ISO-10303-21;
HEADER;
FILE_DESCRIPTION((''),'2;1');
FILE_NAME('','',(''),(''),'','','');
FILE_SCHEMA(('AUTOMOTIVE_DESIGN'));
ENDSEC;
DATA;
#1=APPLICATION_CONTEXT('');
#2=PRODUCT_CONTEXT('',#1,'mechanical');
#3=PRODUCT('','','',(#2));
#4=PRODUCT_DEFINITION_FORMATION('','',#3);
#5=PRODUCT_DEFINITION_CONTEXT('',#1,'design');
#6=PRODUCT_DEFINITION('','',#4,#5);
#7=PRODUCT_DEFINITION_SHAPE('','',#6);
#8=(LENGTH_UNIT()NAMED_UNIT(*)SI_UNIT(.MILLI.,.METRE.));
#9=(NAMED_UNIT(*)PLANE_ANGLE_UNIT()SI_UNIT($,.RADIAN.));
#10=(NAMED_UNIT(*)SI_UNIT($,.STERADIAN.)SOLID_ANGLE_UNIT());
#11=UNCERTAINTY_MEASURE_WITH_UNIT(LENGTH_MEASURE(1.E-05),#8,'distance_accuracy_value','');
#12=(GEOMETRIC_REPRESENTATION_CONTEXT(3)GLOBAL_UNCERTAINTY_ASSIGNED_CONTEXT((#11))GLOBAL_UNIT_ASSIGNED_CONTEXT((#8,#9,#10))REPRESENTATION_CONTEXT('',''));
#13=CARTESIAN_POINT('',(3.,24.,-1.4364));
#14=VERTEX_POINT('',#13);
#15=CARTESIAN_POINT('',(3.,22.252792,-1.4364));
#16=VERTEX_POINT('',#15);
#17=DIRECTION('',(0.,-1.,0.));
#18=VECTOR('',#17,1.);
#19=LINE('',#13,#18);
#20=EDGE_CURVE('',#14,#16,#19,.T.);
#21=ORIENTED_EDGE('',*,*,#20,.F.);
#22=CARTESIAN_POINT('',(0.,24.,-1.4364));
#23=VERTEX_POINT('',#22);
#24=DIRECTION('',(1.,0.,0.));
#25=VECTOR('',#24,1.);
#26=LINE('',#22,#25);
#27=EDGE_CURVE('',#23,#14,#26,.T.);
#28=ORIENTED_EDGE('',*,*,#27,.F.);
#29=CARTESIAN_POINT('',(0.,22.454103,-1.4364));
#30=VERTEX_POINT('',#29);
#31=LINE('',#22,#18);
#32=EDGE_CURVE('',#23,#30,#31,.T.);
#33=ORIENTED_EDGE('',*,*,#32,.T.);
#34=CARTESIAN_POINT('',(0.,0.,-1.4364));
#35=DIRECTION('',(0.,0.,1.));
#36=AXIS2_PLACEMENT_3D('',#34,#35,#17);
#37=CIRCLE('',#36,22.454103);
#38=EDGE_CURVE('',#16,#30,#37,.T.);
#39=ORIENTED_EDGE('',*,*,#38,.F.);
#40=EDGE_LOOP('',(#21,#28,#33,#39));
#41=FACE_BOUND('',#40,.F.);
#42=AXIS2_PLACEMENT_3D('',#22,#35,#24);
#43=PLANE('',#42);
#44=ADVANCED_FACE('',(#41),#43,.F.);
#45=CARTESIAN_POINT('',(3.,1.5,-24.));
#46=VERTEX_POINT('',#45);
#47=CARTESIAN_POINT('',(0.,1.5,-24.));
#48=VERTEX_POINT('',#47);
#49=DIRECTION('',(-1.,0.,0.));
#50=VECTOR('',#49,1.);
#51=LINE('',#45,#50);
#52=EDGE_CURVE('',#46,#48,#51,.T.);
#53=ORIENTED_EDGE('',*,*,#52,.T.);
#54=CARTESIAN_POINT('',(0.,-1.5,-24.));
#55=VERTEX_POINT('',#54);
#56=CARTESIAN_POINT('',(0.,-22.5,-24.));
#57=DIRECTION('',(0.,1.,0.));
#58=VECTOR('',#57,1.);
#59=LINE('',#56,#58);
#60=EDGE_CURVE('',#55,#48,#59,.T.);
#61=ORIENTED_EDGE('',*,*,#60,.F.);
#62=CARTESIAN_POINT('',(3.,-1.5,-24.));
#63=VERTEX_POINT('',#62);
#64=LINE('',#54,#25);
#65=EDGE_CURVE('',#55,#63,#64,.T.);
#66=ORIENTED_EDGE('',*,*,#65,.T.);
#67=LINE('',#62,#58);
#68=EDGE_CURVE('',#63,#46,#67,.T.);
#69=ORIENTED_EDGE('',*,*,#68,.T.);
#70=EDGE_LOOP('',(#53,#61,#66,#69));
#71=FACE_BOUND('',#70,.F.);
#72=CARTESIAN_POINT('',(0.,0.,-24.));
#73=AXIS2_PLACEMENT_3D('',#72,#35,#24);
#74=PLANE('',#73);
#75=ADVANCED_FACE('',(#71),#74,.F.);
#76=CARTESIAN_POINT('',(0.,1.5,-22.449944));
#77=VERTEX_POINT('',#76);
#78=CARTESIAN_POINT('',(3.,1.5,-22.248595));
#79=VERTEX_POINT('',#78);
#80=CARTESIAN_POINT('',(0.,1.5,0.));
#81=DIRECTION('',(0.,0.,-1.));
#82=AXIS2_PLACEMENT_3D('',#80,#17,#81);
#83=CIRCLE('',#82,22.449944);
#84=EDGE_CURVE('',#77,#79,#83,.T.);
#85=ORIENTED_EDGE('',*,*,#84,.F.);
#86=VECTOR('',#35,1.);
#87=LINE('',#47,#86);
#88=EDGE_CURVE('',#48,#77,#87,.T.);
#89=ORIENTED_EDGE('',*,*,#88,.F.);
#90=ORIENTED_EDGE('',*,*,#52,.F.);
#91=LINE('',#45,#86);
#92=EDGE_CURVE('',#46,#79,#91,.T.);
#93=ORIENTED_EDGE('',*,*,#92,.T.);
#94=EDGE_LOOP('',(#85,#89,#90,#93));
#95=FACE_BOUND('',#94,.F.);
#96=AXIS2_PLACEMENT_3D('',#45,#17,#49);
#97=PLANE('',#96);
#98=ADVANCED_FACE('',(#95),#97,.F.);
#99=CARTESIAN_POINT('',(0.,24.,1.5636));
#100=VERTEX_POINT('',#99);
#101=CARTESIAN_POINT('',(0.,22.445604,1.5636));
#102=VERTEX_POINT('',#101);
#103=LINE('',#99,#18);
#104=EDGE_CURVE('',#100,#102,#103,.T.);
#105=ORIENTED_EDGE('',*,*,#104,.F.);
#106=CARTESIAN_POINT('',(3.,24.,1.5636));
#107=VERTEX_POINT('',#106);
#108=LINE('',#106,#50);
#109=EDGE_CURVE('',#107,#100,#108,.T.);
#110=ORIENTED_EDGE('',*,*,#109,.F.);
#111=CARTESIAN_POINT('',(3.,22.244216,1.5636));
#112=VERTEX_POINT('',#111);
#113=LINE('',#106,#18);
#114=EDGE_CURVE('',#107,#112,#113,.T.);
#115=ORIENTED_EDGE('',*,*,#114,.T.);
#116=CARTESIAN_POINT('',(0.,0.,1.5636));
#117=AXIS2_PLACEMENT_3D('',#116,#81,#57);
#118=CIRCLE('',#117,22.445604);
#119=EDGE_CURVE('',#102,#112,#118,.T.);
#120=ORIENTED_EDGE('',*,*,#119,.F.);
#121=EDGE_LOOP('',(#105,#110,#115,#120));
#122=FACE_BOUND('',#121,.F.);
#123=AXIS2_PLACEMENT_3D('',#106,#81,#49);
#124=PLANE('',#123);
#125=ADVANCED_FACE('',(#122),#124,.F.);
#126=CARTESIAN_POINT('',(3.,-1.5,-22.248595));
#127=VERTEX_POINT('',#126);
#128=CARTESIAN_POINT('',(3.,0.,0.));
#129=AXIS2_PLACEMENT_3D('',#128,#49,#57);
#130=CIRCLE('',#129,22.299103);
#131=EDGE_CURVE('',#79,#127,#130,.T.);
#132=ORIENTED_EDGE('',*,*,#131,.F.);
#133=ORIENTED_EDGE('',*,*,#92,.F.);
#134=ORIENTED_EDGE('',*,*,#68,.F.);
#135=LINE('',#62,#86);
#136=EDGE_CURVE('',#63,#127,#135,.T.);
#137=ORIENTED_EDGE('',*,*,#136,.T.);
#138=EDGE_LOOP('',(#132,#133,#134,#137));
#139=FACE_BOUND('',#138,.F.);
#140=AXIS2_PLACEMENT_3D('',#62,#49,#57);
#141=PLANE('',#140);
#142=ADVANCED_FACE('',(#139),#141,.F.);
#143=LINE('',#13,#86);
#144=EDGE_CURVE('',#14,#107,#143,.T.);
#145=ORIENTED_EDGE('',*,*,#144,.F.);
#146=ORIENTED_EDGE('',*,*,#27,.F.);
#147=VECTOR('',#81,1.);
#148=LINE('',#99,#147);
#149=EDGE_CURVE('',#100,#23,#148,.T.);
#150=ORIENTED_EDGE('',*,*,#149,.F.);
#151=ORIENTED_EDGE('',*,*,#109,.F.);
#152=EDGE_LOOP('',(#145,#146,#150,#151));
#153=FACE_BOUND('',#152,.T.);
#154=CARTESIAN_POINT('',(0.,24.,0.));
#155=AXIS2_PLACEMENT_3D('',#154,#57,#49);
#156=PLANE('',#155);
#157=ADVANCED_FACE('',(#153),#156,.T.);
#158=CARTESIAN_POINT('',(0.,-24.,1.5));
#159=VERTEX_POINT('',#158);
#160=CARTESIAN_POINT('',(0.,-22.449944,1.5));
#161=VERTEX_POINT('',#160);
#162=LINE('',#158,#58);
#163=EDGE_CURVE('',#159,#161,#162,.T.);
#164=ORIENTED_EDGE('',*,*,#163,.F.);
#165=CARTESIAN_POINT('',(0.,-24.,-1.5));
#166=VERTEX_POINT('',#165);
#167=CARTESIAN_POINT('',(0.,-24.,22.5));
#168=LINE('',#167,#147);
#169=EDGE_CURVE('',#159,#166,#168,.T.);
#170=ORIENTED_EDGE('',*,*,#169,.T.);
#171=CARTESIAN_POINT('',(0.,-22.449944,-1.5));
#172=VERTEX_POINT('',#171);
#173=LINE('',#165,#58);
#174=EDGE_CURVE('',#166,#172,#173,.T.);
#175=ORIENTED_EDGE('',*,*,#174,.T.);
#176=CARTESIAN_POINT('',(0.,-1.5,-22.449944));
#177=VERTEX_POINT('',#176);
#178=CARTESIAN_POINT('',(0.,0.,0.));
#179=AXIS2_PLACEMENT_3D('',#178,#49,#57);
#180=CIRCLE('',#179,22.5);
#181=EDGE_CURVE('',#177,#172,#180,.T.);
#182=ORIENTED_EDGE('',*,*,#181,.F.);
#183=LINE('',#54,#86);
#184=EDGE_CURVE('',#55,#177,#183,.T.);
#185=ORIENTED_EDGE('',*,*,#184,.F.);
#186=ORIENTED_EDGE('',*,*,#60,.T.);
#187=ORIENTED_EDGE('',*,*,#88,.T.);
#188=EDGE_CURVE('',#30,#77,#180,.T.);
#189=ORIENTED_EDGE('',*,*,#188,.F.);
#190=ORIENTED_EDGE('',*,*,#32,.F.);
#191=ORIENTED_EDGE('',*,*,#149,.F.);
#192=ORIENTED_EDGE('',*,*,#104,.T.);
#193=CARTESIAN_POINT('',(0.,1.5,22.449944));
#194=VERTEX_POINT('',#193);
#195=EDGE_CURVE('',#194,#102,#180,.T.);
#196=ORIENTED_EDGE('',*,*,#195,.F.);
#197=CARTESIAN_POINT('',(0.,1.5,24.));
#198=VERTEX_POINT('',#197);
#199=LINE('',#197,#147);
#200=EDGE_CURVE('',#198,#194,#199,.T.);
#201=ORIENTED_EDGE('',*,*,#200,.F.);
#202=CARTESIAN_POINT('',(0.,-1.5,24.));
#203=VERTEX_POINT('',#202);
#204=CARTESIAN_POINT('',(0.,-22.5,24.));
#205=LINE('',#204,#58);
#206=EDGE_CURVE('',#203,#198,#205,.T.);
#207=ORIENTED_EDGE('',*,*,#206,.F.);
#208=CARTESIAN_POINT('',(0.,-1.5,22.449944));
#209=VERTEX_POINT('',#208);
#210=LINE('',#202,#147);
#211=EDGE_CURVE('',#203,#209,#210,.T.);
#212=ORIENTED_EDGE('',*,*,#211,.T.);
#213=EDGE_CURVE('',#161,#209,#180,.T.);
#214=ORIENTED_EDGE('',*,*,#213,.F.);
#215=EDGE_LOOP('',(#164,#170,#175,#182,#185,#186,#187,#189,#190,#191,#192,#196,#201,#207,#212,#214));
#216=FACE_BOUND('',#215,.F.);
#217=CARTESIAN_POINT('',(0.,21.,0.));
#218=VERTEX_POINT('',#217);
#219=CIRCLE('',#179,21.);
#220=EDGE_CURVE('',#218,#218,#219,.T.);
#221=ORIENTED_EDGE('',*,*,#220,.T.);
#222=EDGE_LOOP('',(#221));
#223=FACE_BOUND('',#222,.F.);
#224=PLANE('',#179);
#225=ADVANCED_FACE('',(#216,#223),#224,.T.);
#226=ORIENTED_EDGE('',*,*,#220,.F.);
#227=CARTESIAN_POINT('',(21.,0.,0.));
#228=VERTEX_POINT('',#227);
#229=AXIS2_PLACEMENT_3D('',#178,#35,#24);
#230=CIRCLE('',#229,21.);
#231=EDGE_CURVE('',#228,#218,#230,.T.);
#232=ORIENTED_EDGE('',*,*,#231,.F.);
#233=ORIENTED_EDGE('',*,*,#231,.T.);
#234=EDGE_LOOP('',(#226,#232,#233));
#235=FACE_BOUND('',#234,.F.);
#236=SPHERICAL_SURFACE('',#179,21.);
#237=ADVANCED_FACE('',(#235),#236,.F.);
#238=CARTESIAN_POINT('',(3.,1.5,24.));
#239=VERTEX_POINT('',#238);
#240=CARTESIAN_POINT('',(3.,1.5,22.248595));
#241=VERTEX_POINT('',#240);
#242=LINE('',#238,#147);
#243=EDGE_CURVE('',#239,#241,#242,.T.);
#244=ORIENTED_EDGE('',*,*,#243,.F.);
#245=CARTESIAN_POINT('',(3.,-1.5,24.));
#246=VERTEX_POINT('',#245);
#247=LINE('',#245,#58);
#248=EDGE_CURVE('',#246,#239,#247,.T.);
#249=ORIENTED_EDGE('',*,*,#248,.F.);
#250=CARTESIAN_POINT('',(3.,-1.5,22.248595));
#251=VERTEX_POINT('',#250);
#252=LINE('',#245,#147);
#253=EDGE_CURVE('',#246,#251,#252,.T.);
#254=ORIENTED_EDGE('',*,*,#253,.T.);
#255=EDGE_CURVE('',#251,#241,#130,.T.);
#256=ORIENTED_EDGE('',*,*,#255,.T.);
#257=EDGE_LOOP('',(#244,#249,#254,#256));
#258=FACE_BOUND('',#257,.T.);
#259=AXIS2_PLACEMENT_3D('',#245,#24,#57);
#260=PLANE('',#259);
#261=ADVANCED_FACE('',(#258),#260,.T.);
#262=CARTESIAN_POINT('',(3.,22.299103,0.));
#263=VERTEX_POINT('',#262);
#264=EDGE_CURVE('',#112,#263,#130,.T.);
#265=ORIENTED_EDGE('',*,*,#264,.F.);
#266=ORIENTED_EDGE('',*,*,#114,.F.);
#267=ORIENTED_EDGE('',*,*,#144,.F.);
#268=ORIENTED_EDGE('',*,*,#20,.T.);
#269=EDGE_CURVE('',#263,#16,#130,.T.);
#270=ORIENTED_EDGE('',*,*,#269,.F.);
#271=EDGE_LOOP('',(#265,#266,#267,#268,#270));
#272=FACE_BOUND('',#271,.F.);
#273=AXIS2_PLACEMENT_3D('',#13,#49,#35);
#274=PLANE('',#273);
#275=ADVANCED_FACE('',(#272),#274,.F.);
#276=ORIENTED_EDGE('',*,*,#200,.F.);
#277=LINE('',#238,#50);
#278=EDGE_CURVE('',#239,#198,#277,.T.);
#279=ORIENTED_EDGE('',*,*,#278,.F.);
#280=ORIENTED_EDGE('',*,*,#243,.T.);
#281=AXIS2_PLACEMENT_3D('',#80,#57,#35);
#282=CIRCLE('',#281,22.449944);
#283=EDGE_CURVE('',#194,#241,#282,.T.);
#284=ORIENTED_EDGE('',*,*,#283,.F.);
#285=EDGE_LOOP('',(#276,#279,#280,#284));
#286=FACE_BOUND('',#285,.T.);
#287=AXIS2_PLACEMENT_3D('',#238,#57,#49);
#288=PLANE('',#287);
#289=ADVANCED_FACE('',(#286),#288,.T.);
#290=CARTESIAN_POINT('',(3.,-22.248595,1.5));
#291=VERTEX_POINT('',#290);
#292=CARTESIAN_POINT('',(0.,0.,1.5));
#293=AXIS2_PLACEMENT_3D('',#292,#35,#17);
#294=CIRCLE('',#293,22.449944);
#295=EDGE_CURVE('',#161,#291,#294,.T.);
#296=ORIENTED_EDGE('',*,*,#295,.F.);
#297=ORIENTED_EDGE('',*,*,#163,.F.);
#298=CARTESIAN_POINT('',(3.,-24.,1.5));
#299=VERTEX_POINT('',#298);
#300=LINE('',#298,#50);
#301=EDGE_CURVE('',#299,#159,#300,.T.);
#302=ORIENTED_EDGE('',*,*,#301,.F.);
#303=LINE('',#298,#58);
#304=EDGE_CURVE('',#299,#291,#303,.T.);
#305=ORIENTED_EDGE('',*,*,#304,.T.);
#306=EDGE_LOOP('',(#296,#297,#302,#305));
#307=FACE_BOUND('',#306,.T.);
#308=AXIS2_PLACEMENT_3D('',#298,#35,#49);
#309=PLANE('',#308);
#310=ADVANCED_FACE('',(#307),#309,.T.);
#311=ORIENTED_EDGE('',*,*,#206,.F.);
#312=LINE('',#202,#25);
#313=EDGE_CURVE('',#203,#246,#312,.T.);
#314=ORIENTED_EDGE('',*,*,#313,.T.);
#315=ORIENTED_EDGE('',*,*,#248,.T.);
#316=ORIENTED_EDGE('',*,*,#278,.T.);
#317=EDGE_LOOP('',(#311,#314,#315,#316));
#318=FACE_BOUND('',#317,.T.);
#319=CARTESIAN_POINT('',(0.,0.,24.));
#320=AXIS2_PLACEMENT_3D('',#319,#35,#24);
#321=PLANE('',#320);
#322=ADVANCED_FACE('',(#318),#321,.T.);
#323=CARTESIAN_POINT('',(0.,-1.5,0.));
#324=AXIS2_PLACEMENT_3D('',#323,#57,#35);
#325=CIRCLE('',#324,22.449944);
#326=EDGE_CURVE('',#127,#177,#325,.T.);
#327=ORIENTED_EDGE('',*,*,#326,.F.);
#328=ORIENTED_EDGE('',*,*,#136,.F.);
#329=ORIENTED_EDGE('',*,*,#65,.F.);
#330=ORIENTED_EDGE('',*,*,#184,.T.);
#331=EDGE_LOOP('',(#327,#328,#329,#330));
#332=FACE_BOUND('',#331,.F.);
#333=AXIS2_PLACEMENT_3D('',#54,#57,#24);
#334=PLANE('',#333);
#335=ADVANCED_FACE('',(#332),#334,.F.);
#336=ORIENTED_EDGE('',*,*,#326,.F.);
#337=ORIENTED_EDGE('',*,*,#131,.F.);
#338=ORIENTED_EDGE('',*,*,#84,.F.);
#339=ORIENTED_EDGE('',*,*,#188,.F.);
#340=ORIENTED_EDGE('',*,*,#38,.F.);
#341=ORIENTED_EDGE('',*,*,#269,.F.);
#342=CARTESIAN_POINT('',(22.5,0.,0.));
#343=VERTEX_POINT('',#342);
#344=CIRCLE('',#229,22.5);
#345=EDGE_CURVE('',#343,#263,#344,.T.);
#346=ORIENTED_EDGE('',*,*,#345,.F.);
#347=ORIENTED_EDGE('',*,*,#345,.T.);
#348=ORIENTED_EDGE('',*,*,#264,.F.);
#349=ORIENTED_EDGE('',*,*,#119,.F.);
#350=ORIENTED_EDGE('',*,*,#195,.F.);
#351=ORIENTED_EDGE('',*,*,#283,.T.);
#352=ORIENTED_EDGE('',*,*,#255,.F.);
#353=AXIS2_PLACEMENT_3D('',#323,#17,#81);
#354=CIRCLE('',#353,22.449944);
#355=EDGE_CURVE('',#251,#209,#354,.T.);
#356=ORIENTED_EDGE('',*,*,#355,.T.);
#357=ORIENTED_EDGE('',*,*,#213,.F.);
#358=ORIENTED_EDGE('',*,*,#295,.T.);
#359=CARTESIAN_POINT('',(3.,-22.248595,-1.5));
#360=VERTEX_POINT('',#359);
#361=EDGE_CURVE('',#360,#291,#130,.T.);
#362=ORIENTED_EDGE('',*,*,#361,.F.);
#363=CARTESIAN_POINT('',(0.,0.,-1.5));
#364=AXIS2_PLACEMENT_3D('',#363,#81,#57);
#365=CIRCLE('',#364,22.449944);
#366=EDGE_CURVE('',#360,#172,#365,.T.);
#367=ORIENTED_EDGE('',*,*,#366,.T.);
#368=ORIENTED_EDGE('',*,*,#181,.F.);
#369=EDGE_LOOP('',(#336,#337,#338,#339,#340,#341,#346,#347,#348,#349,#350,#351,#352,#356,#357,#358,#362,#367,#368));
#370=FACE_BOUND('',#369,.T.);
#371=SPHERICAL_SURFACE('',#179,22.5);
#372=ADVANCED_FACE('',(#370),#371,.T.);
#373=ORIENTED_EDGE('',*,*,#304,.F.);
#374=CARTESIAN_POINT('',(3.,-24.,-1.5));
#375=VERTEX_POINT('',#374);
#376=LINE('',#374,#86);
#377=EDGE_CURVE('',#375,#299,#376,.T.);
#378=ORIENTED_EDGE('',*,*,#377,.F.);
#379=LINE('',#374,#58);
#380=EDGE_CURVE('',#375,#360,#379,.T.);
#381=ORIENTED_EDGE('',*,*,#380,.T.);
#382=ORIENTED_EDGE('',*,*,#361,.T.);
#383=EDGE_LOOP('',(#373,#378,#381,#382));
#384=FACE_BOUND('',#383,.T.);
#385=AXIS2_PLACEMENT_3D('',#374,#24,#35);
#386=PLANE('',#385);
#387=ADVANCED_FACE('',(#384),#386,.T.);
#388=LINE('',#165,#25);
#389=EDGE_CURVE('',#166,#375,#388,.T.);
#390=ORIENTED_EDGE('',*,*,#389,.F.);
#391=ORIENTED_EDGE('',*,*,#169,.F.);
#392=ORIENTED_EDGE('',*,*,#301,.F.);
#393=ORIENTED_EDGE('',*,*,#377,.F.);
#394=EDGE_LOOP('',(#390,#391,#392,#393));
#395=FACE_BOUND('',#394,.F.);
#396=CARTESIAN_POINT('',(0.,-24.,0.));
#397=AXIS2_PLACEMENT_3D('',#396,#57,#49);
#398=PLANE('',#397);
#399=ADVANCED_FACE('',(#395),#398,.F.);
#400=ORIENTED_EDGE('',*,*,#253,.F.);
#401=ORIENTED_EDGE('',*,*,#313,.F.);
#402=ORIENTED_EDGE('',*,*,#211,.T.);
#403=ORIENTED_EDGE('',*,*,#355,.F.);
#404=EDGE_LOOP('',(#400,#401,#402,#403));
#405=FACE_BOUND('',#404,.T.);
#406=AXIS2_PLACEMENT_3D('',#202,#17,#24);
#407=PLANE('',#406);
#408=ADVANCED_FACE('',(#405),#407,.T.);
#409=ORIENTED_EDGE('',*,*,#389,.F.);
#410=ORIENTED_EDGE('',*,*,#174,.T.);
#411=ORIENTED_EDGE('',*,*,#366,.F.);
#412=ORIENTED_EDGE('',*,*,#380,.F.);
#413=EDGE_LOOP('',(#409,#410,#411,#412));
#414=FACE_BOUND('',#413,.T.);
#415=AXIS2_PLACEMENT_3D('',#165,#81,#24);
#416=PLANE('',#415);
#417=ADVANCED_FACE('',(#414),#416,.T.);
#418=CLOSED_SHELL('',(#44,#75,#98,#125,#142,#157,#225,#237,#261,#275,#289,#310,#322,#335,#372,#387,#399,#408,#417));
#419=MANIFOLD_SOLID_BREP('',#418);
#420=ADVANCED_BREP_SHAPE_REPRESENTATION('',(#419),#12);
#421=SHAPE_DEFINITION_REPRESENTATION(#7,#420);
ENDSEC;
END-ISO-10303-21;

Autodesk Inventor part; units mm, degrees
sketch "Sketch1" plane through (0, 0, 0) normal (0, 0, 1) x (1, 0, 0)
  line L0 (0, 0) -> (0, 22.5)
  line L1 (0, 22.5) -> (0, 0)
  line L2 (22.5, 0) -> (0, 0)
  arc A0 (22.5, 0) -> (0, 22.5) centre (0, 0) ccw
  dimension "d3" = 22.5
  dimension "d4" = 22.5
revolve "Revolution2" add sketch "Sketch1" angle 360 about axis through (22.5, 0, 0) along (-1, 0, 0)
shell "Shell1" thickness 1.5 removed faces 1 at (0, 7.2821, 1.7949)
ref_plane "Work Plane1" through (0, -24, 0) normal (0, 1, 0) x (-1, 0, 0)
ref_plane "Work Plane2" through (0, 24, 0) normal (0, 1, 0) x (-1, 0, 0)
ref_plane "Work Plane3" through (0, 0, 24) normal (0, 0, 1) x (1, 0, 0)
ref_plane "Work Plane4" through (0, 0, -24) normal (0, 0, 1) x (1, 0, 0)
sketch "Sketch2" plane through (0, 0, 24) normal (0, 0, 1) x (1, 0, 0)
  line L0 (0, -22.5) -> (0, 22.5) projected
  line L1 (0, -1.5) -> (3, -1.5)
  line L2 (3, -1.5) -> (3, 1.5)
  line L3 (3, 1.5) -> (0, 1.5)
  line L4 (0, 1.5) -> (0, -1.5)
  point P0 (0, 0)
  dimension "d24" = 3
  dimension "d25" = 3
sketch "Sketch3" plane through (0, -24, 0) normal (0, 1, 0) x (-1, 0, 0)
  line L0 (0, 22.5) -> (0, -22.5) projected
  line L1 (0, -1.5) -> (-3, -1.5)
  line L2 (-3, -1.5) -> (-3, 1.5)
  line L3 (-3, 1.5) -> (0, 1.5)
  line L4 (0, 1.5) -> (0, -1.5)
  point P0 (0, 0)
  dimension "d26" = 3
  dimension "d27" = 3
sketch "Sketch4" plane through (0, 0, -24) normal (0, 0, 1) x (1, 0, 0)
  line L0 (0, -22.5) -> (0, 22.5) projected
  line L1 (0, -1.5) -> (3, -1.5)
  line L2 (3, -1.5) -> (3, 1.5)
  line L3 (3, 1.5) -> (0, 1.5)
  line L4 (0, 1.5) -> (0, -1.5)
  point P0 (0, 0)
  dimension "d28" = 3
  dimension "d29" = 3
sketch "Sketch5" plane through (0, 24, 0) normal (0, 1, 0) x (-1, 0, 0)
  line L0 (0, -1.4364) -> (-3, -1.4364)
  line L1 (-3, -1.4364) -> (-3, 1.5636)
  line L2 (-3, 1.5636) -> (0, 1.5636)
  line L3 (0, 1.5636) -> (0, -1.4364)
  point P0 (0, 0)
  dimension "d30" = 3
  dimension "d31" = 3
extrude "Extrusion5" add sketch "Sketch2" against normal up to next
extrude "Extrusion6" add sketch "Sketch3" along normal up to next
extrude "Extrusion7" add sketch "Sketch4" along normal up to next
extrude "Extrusion8" add sketch "Sketch5" against normal up to next
properties part number "Liner 2" material "Polyethylene, High Density"
